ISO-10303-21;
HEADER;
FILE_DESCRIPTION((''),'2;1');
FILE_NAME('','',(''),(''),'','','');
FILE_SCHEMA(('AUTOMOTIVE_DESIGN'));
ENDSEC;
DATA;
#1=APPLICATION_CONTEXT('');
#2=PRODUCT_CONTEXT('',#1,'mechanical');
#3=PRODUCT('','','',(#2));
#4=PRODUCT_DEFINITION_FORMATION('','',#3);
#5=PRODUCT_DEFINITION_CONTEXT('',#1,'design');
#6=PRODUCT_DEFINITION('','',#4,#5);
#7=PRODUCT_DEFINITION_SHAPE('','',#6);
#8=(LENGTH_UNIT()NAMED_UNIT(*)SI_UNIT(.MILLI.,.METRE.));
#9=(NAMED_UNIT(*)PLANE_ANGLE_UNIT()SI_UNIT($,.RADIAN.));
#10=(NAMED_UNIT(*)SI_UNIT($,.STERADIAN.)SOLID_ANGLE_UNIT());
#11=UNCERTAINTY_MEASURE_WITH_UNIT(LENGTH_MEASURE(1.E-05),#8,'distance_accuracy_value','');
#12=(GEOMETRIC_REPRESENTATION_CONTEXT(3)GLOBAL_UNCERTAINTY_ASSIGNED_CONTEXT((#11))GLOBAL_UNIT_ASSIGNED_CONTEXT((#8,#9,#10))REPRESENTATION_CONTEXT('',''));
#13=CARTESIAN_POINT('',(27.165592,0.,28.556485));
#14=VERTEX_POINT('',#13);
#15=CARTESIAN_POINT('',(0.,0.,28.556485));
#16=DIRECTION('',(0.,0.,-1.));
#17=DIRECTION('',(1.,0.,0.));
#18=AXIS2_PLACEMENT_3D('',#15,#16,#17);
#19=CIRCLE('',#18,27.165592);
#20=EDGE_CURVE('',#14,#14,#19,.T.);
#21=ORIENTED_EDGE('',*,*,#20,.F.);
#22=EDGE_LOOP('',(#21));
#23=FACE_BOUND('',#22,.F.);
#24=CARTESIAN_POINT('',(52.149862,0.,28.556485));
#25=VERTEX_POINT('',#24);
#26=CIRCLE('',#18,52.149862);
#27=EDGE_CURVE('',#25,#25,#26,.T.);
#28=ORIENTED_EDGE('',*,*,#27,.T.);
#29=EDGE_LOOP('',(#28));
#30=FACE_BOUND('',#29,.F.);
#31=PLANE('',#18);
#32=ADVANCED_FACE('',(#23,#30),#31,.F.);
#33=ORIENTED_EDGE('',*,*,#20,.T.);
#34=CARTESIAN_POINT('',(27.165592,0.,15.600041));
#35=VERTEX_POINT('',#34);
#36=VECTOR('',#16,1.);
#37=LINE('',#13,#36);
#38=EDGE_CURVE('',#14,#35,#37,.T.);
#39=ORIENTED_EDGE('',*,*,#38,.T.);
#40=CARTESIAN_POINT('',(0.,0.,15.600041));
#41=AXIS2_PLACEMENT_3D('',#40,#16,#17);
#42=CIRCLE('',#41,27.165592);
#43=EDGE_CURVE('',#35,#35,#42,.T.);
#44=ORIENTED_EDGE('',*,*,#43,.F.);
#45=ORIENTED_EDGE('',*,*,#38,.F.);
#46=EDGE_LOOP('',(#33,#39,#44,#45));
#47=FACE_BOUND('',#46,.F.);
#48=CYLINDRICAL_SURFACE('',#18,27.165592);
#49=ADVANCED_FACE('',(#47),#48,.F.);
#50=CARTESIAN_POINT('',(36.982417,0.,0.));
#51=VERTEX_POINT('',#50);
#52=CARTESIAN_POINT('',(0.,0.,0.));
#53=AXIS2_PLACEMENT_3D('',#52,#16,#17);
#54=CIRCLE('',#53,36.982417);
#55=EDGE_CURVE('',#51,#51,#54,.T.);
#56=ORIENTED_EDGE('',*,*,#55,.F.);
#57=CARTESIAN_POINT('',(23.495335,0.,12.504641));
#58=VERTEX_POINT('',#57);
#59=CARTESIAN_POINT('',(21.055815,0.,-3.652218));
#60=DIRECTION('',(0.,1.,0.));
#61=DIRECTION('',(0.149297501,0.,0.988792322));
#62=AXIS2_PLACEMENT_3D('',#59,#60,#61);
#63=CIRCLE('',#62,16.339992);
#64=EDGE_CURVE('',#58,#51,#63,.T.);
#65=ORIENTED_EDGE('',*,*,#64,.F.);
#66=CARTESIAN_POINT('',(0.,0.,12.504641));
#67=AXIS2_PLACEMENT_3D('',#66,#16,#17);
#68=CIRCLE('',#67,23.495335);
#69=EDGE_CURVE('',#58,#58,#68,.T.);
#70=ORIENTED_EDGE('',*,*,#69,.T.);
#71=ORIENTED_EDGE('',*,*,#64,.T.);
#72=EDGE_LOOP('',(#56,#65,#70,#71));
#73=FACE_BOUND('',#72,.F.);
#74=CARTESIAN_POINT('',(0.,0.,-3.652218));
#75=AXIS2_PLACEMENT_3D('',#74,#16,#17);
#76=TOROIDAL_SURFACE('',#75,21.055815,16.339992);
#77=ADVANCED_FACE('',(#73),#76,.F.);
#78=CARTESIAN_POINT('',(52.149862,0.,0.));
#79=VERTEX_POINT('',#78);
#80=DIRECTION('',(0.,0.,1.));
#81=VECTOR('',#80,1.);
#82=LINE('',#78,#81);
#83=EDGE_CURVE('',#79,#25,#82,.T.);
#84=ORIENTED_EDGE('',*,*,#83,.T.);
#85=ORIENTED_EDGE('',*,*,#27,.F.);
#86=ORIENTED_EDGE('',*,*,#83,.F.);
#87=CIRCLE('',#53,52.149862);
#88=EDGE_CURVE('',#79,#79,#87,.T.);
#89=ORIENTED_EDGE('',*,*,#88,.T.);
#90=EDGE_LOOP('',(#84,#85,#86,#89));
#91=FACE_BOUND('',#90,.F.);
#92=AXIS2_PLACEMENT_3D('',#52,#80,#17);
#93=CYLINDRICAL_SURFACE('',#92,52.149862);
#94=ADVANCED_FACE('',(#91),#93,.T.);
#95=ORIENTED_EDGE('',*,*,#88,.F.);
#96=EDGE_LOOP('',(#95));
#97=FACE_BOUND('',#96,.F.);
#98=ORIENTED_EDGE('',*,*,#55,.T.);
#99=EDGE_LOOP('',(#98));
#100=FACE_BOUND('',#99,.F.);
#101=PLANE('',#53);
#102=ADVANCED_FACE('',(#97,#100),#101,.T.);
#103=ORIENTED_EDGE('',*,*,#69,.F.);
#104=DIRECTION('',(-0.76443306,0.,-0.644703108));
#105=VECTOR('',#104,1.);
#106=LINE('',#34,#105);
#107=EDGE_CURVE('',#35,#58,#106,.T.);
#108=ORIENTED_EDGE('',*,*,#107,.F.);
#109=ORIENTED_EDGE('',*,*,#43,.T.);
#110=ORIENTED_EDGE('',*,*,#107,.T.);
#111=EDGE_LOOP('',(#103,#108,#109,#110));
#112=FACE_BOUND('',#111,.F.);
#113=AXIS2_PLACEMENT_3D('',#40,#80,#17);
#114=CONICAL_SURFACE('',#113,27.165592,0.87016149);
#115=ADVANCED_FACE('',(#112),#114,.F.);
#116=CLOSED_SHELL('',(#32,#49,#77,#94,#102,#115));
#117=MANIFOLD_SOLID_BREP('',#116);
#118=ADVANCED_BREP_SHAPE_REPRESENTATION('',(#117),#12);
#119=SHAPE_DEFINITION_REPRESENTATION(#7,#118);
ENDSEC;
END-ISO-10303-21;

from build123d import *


with BuildPart() as f1:
    # F0 (on Front) → F1 (revolve)
    with BuildSketch(Plane.XZ):
        with BuildLine():
            Line((52.149862, 28.556485), (27.165592, 28.556485))
            Line((27.165592, 28.556485), (27.165592, 15.600041))
            Line((27.165592, 15.600041), (23.495335, 12.504641))
            ThreePointArc((23.495335, 12.504641), (32.165276, 8.33007), (36.982417, 0))
            Line((36.982417, 0), (52.149862, 0))
            Line((52.149862, 0), (52.149862, 28.556485))
        make_face()
    revolve(axis=Axis((0, 0, 1.420937), (0, 0, -1)))


solid = f1.part
